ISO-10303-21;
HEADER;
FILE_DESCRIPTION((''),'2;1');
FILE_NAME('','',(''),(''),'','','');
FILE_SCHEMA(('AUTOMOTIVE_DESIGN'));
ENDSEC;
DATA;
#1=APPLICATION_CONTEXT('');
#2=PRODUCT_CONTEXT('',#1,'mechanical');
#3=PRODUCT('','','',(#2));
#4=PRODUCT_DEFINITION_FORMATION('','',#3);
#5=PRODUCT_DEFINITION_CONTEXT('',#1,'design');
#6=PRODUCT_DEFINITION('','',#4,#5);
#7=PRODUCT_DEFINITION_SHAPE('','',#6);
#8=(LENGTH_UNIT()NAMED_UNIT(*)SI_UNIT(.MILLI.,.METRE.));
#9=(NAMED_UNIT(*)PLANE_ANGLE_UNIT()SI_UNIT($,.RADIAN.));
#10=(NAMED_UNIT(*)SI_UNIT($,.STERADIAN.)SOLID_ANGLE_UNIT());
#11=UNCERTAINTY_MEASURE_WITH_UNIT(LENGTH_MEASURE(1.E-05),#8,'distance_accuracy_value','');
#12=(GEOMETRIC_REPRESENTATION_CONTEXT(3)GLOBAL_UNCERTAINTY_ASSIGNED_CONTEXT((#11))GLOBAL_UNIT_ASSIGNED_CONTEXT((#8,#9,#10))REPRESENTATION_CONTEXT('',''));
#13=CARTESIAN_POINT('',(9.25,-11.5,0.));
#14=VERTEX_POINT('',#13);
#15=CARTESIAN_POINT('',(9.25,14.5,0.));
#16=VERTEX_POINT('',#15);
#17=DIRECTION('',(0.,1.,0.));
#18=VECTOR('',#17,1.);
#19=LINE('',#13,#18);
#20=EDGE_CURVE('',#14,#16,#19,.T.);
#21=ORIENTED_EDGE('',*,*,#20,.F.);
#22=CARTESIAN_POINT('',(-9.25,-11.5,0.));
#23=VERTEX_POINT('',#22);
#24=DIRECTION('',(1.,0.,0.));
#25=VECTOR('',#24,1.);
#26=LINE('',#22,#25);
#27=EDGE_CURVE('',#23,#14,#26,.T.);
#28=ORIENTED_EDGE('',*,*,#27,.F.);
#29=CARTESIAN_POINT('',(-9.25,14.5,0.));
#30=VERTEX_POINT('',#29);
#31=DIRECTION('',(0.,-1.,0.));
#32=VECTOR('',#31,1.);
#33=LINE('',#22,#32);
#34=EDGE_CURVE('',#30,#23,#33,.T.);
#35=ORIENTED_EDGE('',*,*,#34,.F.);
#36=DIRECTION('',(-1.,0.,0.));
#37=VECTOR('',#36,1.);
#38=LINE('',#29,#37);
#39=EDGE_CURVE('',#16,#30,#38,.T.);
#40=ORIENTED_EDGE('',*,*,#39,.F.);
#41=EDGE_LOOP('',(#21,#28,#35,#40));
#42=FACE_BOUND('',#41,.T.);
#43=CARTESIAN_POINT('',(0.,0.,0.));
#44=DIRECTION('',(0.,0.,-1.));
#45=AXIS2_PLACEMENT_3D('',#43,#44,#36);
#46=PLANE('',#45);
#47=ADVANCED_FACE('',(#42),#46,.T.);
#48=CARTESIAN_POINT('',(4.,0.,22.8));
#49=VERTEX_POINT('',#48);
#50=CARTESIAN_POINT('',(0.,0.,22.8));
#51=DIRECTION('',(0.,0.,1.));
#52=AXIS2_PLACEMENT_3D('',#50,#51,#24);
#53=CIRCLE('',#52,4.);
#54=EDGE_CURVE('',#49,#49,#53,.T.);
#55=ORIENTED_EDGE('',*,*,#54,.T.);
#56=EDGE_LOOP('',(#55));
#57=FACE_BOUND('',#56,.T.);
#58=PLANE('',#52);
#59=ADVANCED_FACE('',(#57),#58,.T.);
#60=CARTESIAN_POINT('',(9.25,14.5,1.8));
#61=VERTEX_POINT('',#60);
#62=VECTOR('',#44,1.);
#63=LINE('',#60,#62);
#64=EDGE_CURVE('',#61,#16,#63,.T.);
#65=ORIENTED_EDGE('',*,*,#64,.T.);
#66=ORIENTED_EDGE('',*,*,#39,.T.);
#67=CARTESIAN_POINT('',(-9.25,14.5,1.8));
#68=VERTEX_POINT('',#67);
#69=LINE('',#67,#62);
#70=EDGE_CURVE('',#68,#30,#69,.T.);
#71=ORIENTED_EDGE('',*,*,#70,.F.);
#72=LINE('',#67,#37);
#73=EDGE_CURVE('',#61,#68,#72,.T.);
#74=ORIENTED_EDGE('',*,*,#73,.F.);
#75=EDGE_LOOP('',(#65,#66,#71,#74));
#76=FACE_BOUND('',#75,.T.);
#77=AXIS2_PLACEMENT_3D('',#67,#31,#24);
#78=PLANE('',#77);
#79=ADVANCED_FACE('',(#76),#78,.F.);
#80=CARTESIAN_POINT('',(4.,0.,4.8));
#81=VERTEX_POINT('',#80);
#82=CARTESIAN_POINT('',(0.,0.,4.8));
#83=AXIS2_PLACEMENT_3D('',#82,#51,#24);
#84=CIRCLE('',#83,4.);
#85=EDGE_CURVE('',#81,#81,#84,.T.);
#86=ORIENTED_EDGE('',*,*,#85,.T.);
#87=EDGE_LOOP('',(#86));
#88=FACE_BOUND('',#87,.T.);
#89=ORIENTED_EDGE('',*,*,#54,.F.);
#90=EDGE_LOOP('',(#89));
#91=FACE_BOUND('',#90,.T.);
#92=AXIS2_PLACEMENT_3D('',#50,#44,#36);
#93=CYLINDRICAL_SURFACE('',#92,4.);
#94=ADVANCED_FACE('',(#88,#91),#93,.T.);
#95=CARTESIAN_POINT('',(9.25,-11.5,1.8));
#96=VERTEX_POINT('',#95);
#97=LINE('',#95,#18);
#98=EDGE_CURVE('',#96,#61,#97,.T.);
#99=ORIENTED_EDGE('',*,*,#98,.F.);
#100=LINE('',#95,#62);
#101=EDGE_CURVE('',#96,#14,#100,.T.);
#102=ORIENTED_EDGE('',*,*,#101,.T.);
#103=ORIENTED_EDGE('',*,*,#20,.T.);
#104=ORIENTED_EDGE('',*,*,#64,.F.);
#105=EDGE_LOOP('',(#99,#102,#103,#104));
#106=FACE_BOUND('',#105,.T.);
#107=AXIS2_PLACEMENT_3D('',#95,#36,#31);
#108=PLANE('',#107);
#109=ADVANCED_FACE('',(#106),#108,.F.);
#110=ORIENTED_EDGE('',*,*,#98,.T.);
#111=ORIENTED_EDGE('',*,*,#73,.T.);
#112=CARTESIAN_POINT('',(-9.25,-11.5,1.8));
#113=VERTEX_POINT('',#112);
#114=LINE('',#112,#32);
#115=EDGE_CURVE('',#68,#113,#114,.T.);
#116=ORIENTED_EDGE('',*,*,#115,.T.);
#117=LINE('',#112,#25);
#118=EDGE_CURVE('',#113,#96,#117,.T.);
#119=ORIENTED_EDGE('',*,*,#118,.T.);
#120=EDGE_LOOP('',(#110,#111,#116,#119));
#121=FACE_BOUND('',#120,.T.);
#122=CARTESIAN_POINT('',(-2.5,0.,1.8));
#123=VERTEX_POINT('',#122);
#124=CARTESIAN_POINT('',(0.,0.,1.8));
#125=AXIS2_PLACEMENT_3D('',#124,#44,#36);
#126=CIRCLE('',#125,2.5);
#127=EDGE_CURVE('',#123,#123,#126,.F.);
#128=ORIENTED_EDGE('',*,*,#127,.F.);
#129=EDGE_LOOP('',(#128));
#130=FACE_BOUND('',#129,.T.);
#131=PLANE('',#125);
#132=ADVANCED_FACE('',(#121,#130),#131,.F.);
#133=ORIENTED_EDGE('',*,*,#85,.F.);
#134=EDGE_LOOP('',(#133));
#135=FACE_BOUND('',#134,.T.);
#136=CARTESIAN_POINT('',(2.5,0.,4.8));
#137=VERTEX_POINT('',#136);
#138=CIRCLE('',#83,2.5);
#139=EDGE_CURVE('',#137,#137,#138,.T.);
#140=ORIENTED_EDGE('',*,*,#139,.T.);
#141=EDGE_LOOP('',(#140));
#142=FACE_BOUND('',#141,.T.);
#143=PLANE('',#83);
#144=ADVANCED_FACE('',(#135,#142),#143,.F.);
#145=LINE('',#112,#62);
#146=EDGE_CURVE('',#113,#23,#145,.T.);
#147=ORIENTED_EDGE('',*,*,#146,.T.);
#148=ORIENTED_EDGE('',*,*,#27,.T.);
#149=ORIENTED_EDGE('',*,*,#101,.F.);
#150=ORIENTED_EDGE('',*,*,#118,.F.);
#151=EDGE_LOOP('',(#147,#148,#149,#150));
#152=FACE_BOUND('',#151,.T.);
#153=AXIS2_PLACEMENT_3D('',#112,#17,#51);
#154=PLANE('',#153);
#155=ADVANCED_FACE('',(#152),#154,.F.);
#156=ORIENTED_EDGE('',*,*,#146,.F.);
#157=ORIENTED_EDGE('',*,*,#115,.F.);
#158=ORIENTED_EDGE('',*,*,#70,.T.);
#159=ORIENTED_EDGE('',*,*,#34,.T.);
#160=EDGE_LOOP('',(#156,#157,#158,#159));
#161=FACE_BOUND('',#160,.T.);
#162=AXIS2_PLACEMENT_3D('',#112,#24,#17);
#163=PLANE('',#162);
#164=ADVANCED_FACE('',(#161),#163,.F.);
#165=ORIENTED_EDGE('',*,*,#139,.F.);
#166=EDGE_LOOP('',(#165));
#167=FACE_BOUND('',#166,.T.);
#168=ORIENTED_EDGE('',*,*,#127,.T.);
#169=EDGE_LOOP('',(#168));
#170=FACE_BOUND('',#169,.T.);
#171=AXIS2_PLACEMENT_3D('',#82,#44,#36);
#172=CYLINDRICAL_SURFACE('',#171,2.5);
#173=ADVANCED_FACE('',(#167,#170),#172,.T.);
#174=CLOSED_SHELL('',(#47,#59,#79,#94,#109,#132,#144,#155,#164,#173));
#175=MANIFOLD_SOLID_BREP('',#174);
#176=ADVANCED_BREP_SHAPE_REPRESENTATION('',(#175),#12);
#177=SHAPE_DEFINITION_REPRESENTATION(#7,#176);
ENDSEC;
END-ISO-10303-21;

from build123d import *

# Parameters (mm, degrees)
SKETCH1_W           = 18.5
SKETCH1_H           = 26
BOSS_EXTRUDE1_DEPTH = 1.8
SKETCH2_R           = 2.5
BOSS_EXTRUDE2_DEPTH = 3
SKETCH3_R           = 4
BOSS_EXTRUDE3_DEPTH = 18


with BuildPart() as part:
    # Sketch1 → Boss-Extrude1 (new body)
    with BuildSketch(Plane.XY):
        with Locations((0, 1.5)):
            Rectangle(SKETCH1_W, SKETCH1_H)
    extrude(amount=BOSS_EXTRUDE1_DEPTH)

    # Sketch2 → Boss-Extrude2 (add)
    with BuildSketch(Plane.XY.offset(1.8)):
        Circle(SKETCH2_R)
    extrude(amount=BOSS_EXTRUDE2_DEPTH)

    # Sketch3 → Boss-Extrude3 (add)
    with BuildSketch(Plane.XY.offset(4.8)):
        Circle(SKETCH3_R)
    extrude(amount=BOSS_EXTRUDE3_DEPTH)


solid = part.part
